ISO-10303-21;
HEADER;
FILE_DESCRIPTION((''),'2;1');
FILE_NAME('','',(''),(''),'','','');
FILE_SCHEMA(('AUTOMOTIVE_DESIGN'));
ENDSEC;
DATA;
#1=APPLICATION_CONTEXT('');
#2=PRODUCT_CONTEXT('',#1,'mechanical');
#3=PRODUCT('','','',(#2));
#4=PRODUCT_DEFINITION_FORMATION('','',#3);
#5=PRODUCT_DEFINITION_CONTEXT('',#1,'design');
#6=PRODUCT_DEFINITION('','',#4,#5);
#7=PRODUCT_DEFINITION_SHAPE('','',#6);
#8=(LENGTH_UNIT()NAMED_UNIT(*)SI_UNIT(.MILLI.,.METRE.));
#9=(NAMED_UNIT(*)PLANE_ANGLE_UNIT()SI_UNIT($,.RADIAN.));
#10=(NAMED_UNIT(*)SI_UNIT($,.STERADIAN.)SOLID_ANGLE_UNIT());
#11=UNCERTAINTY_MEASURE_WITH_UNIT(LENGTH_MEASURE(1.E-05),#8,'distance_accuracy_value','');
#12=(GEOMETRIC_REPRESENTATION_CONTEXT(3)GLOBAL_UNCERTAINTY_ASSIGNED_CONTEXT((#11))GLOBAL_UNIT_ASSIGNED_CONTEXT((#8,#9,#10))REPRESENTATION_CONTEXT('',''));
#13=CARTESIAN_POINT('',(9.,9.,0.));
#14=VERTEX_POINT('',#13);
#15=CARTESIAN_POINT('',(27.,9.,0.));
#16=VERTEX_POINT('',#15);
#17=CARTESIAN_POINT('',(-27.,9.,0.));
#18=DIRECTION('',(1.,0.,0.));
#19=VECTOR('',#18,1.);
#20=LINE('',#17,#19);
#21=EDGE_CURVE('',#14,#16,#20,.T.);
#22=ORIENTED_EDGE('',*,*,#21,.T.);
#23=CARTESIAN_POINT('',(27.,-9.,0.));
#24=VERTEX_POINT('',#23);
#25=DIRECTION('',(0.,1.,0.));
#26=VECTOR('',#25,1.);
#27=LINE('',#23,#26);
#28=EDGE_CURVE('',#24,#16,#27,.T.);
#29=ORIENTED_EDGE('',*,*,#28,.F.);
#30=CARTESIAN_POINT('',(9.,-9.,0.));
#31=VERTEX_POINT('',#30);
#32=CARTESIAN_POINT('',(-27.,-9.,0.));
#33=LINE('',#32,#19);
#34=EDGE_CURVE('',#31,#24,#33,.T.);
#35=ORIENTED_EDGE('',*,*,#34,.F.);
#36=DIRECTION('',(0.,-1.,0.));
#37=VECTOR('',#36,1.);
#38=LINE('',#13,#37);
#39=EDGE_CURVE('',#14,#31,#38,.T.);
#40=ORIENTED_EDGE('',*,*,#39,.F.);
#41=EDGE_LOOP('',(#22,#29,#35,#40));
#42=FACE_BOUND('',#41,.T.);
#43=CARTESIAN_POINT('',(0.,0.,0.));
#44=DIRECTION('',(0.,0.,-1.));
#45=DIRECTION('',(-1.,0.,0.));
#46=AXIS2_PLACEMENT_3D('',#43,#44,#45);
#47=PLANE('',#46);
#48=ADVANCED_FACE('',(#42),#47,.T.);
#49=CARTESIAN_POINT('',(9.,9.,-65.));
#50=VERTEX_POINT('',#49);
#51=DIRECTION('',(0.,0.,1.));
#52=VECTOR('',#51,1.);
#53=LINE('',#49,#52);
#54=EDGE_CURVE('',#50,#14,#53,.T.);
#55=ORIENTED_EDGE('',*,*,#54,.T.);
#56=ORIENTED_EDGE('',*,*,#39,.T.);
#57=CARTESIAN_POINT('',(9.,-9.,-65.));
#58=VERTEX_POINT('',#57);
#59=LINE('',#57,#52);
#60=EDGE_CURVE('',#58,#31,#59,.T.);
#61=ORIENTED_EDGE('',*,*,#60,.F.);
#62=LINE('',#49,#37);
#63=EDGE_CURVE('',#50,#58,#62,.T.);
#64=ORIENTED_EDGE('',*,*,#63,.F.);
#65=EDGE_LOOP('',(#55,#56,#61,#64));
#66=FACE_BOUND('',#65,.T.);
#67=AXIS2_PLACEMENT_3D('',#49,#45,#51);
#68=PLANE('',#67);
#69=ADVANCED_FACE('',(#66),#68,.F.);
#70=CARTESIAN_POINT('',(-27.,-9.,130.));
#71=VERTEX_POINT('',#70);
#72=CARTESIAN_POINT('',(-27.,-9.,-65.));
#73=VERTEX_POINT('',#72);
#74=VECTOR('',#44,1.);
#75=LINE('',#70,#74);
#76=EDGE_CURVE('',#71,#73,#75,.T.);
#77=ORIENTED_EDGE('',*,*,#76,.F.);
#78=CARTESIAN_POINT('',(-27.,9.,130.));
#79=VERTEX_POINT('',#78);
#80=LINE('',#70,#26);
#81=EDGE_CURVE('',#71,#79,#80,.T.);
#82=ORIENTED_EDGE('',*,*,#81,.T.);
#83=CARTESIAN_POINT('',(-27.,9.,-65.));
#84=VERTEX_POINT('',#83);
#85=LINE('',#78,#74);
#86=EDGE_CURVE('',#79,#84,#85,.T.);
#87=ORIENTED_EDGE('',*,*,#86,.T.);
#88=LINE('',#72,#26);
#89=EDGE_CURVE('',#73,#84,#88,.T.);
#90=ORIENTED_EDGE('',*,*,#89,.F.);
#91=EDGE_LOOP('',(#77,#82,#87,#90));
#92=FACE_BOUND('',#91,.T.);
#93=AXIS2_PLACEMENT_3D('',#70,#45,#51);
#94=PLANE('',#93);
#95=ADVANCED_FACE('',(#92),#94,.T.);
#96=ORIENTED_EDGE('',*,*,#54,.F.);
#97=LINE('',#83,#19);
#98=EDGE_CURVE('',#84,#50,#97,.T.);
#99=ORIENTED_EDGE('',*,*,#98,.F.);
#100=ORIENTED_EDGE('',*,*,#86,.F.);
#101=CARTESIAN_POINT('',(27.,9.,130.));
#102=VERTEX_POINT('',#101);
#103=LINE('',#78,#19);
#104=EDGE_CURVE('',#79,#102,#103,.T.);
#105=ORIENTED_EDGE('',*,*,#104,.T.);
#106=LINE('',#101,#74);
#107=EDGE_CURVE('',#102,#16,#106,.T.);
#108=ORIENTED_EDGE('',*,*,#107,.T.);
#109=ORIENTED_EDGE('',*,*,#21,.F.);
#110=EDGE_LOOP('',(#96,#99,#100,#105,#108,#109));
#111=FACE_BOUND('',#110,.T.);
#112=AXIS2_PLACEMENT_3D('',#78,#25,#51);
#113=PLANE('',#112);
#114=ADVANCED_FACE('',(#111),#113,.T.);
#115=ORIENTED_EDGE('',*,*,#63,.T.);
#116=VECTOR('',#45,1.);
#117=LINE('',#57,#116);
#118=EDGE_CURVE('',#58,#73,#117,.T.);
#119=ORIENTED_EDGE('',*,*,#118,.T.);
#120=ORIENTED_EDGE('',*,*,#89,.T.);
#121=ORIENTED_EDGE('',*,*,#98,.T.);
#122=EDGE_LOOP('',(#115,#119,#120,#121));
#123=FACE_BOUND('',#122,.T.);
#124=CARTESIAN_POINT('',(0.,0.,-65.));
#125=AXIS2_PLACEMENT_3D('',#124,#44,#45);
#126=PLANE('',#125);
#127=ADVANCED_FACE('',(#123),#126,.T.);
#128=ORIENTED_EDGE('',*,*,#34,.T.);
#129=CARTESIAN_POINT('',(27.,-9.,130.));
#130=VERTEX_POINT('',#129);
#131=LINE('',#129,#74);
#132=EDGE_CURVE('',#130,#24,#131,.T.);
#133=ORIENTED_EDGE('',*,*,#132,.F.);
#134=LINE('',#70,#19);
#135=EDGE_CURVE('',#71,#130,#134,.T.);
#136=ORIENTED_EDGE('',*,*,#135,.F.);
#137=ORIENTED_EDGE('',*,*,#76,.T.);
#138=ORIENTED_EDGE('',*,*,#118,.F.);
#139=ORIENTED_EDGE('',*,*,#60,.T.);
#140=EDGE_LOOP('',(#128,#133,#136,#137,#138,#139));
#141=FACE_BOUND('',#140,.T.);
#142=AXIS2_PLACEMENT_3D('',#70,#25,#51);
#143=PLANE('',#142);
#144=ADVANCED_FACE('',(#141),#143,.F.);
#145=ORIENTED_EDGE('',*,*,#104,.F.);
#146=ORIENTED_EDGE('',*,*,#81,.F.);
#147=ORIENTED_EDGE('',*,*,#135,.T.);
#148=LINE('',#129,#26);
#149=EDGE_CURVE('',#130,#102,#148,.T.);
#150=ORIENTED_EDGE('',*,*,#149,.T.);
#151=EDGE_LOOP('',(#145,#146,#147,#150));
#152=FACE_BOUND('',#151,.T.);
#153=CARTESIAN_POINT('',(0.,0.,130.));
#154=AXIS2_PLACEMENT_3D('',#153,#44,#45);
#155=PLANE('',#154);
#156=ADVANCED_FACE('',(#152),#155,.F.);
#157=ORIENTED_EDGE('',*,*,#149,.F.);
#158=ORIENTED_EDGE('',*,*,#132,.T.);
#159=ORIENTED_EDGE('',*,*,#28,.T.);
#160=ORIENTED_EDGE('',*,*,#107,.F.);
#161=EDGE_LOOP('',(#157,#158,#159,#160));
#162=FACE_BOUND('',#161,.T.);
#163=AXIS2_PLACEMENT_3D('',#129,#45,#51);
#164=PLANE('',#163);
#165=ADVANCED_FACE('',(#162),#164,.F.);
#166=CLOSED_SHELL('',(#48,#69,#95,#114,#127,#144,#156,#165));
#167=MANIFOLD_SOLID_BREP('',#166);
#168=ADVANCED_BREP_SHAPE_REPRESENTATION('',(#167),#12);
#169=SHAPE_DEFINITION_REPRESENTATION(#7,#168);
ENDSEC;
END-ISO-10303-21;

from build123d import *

# Parameters (mm, degrees)
SKETCH1_W           = 54
SKETCH1_H           = 18
BOSS_EXTRUDE1_DEPTH = 130
SKETCH4_W           = 36
SKETCH4_H           = 18
BOSS_EXTRUDE3_DEPTH = 65


with BuildPart() as part:
    # Sketch1 → Boss-Extrude1 (new body)
    with BuildSketch(Plane.XY):
        Rectangle(SKETCH1_W, SKETCH1_H)
    extrude(amount=BOSS_EXTRUDE1_DEPTH)

    # Sketch4 → Boss-Extrude3 (add)
    with BuildSketch(Plane(origin=(0, 0, 0), x_dir=(-1, 0, 0), z_dir=(0, 0, -1))):
        with Locations((9, 0)):
            Rectangle(SKETCH4_W, SKETCH4_H)
    extrude(amount=BOSS_EXTRUDE3_DEPTH)


solid = part.part
